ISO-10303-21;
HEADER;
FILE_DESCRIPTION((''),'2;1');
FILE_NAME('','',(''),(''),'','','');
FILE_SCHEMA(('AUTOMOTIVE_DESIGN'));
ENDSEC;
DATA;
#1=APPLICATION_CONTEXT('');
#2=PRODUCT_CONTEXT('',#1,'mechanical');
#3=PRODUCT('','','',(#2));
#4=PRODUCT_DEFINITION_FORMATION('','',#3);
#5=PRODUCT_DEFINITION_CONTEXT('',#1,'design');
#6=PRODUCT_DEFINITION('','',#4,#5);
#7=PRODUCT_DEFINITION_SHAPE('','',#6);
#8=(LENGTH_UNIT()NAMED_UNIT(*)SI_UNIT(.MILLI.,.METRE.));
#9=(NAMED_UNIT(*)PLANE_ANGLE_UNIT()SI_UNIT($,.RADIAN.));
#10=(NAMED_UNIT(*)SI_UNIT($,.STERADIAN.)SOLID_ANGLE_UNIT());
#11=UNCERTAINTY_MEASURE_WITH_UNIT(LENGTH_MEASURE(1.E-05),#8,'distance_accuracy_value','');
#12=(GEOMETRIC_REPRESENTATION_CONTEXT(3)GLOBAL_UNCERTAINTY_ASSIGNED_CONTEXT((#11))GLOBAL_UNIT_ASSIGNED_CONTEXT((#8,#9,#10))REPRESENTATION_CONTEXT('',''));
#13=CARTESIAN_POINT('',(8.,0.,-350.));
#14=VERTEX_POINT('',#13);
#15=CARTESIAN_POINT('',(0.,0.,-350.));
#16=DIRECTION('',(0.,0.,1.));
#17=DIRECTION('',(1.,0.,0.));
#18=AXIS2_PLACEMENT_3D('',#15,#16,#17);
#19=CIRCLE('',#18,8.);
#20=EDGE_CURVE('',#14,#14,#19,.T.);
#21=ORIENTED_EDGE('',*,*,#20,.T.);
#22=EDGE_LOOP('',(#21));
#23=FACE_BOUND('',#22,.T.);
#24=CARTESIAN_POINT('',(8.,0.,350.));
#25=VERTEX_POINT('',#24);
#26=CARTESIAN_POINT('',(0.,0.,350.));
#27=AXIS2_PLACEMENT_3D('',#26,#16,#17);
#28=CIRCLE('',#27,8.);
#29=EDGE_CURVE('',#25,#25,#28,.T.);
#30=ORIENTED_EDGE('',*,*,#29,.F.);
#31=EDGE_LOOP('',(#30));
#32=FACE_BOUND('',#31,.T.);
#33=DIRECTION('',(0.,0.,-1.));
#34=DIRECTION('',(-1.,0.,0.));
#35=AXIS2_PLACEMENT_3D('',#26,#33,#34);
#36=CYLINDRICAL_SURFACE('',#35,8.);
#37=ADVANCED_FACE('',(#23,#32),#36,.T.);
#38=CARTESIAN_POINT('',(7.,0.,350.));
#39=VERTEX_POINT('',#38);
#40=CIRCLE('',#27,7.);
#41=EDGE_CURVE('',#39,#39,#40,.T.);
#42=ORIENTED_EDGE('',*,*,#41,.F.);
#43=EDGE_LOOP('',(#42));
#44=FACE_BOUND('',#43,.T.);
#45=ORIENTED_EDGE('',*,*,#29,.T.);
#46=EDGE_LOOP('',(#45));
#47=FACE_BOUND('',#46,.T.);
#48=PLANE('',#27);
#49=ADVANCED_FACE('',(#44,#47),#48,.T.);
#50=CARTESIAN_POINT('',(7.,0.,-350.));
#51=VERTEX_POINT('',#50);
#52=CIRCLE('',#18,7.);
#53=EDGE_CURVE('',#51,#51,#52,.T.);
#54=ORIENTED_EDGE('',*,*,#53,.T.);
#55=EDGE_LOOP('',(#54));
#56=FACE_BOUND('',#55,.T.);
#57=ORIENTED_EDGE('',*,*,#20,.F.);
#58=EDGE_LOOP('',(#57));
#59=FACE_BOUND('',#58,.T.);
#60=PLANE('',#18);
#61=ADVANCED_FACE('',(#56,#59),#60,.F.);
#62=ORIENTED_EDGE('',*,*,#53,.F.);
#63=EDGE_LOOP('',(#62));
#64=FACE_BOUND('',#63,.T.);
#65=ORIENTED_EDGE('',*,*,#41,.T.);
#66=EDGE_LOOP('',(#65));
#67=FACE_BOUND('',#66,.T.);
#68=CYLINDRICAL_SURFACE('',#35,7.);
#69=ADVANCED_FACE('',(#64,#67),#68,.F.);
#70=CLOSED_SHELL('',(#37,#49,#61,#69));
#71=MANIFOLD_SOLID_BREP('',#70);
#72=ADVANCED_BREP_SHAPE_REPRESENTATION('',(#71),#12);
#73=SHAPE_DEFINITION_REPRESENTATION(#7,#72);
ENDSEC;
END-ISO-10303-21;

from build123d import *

# Parameters (mm, degrees)
SKETCH_1_R      = 8
SKETCH_1_R_2    = 7
EXTRUDE_1_DEPTH = 350


with BuildPart() as part:
    # Эскиз1 → Бобышка-Вытянуть1 (new, symmetric)
    with BuildSketch(Plane.XY):
        Circle(SKETCH_1_R)
        Circle(SKETCH_1_R_2, mode=Mode.SUBTRACT)
    extrude(amount=EXTRUDE_1_DEPTH, both=True)


solid = part.part
